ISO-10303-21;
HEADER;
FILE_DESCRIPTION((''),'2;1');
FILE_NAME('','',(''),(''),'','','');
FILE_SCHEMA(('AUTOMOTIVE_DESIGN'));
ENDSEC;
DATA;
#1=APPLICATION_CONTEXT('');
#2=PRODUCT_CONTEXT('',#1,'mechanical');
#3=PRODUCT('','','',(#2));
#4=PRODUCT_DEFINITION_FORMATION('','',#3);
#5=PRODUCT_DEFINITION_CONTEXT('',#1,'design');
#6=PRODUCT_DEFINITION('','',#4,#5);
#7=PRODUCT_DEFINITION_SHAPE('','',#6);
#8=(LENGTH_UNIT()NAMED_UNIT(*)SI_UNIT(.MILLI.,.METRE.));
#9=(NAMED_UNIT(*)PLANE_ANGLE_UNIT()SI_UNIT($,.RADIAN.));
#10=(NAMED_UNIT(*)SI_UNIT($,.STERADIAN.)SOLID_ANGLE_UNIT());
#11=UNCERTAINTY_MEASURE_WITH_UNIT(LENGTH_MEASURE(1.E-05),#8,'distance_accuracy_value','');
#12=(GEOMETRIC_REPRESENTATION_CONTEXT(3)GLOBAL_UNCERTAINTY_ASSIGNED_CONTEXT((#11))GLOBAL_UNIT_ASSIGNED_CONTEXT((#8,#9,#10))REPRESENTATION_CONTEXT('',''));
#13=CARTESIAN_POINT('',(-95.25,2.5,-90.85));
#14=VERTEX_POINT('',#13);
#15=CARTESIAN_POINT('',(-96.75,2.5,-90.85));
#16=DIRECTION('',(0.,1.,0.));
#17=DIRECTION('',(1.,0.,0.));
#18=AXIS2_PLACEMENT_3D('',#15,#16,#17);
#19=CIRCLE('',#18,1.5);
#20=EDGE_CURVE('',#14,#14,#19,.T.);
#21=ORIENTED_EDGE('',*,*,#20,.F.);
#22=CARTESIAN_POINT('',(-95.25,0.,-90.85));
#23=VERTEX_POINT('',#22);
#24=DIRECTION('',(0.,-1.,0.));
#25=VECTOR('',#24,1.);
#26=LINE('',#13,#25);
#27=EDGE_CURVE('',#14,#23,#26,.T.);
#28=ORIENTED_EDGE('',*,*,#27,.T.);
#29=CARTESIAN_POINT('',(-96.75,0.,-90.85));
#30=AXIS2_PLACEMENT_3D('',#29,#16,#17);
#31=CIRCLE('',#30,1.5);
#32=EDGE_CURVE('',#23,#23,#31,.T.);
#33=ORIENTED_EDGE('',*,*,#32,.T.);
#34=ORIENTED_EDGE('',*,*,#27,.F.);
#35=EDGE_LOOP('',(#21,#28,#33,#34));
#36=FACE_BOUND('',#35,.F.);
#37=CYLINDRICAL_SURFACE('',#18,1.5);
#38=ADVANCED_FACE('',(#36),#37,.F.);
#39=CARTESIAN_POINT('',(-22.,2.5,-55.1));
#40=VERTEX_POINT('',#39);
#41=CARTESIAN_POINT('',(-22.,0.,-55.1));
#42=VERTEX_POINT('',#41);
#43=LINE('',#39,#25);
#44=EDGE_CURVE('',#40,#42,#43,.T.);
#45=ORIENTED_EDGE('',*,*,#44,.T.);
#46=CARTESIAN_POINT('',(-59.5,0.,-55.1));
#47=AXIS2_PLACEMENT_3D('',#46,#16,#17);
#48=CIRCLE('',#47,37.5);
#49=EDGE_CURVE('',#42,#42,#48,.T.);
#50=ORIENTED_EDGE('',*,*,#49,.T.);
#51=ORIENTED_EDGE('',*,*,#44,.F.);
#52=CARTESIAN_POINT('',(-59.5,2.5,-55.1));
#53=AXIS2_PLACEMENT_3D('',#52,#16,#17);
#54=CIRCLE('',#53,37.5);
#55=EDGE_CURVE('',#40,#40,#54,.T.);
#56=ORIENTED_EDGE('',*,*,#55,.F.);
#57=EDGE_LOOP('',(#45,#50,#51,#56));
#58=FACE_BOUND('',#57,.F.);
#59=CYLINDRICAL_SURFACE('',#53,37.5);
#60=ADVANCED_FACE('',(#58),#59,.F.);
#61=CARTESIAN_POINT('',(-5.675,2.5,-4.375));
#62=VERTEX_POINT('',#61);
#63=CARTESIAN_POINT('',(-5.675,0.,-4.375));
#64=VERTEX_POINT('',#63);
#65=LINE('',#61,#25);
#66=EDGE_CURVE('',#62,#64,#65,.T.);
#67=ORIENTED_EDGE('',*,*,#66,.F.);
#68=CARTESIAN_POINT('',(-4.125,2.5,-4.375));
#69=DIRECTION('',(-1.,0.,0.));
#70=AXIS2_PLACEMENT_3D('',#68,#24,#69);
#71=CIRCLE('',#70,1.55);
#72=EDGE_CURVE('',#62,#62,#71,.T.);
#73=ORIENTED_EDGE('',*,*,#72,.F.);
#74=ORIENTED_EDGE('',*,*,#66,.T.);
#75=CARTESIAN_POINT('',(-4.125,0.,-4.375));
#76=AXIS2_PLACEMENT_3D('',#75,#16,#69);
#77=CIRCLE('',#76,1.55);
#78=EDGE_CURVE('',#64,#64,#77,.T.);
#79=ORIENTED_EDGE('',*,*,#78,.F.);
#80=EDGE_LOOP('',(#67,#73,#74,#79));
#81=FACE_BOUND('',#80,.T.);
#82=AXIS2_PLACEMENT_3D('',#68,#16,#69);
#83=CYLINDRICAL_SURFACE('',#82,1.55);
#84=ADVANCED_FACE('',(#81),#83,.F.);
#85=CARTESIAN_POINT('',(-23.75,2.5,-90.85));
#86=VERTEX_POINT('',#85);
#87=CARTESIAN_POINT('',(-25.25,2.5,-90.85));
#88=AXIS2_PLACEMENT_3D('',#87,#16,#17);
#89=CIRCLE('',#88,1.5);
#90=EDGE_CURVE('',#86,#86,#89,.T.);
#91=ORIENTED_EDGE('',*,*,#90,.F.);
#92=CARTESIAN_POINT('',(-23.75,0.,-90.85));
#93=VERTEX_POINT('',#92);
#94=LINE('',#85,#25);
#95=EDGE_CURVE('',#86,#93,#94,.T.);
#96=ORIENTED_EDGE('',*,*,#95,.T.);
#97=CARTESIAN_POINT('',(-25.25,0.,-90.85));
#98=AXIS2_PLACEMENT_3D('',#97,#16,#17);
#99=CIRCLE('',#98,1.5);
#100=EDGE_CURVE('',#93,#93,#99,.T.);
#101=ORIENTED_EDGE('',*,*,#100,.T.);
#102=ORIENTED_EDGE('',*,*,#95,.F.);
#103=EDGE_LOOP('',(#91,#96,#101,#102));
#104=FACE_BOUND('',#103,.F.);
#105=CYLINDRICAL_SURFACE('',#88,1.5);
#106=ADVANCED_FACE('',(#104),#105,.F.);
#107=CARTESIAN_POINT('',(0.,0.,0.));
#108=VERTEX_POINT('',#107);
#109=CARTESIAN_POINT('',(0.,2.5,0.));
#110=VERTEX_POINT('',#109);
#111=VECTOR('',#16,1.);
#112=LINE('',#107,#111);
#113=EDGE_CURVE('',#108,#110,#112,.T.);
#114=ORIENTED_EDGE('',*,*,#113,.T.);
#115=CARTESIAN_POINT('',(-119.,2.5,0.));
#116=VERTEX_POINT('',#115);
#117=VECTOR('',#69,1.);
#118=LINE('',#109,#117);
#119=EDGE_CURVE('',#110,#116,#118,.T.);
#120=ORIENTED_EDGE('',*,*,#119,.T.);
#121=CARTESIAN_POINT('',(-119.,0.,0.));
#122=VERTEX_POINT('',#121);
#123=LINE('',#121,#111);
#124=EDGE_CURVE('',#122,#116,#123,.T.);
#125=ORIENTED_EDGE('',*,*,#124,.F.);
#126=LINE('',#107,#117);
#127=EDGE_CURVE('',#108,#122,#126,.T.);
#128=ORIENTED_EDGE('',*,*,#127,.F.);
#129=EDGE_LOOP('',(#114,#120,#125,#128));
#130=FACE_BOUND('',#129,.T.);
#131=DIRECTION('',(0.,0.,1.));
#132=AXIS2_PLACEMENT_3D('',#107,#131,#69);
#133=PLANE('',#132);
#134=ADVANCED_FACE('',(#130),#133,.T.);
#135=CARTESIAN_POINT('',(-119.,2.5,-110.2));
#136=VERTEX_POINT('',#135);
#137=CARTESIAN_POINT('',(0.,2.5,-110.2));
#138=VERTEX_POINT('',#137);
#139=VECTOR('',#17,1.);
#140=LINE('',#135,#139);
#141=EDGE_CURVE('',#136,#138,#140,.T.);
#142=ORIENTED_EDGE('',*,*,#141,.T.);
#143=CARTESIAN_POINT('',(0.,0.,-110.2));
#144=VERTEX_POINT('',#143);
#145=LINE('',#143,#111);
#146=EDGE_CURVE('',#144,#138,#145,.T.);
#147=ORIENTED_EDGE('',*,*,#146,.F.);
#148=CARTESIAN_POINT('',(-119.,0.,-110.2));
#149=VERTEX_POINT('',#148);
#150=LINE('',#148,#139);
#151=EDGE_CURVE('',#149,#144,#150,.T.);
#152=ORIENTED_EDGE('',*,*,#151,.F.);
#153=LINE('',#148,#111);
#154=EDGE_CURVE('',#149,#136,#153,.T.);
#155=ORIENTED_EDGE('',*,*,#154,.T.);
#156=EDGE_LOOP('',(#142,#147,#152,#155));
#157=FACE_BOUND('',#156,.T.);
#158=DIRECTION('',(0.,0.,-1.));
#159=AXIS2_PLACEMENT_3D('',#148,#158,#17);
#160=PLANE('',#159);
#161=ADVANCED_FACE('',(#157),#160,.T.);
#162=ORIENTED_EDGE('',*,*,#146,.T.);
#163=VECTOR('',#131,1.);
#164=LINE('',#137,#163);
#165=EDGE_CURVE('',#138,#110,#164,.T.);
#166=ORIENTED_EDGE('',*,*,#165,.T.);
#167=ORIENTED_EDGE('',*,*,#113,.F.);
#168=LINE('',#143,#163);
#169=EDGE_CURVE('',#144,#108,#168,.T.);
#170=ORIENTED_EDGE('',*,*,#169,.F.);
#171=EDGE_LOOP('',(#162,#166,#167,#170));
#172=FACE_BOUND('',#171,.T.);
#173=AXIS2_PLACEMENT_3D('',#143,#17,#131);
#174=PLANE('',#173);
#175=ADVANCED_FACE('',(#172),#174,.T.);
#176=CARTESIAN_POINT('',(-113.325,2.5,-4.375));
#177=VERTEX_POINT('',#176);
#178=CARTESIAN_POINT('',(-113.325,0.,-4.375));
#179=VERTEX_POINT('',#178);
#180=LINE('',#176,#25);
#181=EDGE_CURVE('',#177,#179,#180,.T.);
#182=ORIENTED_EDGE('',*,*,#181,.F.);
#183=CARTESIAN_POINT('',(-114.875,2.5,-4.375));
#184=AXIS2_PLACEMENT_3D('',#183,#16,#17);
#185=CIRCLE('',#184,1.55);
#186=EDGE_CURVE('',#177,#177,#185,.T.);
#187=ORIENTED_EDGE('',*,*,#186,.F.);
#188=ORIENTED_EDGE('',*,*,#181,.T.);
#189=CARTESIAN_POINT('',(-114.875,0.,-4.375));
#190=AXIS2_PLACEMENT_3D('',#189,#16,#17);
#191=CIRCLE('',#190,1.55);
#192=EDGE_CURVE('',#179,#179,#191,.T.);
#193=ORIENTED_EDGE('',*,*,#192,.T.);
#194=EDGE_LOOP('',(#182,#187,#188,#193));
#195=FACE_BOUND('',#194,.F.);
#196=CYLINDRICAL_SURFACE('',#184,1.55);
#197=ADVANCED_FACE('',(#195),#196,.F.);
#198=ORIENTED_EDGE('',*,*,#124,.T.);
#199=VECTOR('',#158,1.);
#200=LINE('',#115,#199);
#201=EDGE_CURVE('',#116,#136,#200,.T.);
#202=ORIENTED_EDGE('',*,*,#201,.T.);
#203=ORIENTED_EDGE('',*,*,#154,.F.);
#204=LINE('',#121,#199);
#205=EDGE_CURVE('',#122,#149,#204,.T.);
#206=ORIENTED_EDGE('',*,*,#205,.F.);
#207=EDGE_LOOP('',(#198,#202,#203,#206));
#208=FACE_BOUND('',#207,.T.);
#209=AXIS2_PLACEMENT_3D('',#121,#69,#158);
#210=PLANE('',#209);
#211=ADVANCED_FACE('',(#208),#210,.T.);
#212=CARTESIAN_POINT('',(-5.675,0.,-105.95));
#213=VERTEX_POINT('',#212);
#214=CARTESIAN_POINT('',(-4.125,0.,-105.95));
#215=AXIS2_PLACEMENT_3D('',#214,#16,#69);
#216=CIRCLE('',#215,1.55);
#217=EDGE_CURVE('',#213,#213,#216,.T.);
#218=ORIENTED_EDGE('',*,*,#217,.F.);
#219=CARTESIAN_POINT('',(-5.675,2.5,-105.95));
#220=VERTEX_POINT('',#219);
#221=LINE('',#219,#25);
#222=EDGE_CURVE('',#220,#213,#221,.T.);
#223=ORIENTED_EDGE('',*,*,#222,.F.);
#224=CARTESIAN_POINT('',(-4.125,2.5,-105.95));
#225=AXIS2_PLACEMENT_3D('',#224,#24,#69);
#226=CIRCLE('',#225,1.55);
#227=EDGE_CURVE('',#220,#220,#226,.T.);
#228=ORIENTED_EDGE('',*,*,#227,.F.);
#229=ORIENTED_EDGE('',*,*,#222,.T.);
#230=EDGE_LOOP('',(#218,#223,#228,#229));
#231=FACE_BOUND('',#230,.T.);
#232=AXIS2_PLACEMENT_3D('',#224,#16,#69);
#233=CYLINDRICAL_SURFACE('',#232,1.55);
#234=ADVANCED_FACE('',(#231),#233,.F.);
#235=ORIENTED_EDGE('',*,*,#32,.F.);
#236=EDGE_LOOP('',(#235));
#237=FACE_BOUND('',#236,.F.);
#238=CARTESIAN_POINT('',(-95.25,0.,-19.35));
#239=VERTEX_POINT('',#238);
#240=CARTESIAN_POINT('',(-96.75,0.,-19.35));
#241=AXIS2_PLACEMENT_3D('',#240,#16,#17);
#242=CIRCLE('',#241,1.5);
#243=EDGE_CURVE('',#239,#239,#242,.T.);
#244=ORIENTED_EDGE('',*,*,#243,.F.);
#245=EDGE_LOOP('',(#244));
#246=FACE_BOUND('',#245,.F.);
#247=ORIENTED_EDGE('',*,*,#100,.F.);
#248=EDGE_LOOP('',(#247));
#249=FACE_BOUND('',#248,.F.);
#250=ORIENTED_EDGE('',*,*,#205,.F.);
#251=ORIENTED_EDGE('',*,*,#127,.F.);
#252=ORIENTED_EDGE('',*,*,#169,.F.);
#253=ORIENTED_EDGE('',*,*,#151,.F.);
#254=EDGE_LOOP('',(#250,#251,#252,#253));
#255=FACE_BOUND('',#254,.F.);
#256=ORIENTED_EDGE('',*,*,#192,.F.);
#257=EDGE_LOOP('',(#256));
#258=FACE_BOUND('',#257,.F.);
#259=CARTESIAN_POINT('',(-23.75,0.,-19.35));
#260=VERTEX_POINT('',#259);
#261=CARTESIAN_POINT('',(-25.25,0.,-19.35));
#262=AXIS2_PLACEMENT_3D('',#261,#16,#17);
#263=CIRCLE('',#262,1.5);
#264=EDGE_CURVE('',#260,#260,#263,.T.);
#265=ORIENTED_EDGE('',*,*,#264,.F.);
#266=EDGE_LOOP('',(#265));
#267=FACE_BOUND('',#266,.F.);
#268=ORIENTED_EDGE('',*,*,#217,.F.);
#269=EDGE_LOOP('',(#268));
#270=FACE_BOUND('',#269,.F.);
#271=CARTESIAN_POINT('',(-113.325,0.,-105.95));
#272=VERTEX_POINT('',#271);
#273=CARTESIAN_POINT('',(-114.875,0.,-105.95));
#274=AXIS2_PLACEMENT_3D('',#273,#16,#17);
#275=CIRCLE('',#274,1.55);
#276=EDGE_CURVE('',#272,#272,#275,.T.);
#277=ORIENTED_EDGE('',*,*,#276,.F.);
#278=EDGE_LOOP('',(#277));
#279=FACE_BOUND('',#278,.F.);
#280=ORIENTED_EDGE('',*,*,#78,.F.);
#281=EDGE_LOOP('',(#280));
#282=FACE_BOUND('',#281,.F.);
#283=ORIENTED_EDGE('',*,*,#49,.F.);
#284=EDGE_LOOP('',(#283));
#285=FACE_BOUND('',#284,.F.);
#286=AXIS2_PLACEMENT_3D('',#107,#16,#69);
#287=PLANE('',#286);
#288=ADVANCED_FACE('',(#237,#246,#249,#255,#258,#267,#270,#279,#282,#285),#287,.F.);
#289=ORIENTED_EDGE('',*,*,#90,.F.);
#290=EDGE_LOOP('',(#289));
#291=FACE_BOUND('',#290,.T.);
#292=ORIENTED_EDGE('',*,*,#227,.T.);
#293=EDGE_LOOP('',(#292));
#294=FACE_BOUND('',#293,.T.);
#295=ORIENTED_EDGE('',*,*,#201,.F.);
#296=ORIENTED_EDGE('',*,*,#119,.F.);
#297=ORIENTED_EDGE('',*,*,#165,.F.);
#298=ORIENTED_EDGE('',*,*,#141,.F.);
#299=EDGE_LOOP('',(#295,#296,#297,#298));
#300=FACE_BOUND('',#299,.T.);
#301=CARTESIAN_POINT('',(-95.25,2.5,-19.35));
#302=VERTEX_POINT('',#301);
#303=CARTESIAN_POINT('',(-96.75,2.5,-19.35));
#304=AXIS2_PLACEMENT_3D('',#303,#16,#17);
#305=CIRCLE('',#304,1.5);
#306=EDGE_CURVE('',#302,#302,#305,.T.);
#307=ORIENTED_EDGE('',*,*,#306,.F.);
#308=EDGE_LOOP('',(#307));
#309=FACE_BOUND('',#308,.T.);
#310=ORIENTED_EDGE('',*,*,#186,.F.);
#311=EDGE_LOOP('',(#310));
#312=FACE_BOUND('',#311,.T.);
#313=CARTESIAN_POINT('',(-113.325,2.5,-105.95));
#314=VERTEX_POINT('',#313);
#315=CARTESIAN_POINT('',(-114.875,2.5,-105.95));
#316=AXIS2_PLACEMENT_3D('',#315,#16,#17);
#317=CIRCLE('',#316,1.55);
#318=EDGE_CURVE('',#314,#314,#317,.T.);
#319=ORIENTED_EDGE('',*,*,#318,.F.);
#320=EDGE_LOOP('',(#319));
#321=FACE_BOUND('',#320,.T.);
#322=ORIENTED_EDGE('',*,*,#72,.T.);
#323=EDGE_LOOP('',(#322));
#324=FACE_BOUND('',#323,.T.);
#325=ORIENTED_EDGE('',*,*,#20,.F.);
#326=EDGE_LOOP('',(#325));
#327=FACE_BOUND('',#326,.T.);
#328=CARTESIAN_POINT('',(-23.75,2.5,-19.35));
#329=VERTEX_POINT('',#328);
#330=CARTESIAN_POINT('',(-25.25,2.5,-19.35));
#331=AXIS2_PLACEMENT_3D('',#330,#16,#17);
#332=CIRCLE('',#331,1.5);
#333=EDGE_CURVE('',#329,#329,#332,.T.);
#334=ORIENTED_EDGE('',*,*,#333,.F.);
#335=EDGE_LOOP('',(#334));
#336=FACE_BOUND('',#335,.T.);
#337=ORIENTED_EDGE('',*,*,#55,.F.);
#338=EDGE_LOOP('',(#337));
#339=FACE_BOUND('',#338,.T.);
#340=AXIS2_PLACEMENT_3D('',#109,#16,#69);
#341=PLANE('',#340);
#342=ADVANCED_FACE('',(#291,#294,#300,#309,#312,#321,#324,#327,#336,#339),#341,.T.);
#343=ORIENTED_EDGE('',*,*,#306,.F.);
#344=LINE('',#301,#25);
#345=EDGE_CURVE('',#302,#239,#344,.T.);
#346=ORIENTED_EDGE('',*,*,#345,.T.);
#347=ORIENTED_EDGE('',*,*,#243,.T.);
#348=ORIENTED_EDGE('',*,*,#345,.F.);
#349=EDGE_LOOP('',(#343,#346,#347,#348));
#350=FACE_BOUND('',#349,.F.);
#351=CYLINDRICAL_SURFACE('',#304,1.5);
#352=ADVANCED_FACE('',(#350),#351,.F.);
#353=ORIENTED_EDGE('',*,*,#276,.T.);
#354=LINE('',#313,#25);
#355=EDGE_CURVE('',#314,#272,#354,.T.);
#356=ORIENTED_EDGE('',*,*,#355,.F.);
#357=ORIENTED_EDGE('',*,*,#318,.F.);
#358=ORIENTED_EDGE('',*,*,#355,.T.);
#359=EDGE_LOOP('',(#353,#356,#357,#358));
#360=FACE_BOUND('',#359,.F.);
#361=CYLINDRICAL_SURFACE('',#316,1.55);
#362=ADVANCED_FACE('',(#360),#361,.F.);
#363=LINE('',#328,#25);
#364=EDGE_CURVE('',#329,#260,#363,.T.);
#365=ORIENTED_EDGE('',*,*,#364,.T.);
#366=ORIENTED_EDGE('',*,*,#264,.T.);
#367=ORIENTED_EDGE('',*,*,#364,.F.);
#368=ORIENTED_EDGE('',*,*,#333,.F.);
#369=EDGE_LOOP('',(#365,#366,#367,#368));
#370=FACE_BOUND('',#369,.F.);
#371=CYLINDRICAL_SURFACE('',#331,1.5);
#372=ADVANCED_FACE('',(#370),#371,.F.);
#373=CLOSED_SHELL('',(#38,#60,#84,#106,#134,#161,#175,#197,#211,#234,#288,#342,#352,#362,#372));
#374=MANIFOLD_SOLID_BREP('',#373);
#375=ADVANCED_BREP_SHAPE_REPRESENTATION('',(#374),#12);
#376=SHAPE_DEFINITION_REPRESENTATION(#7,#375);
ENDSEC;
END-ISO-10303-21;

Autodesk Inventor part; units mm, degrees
ref_plane "YZ Plane" through (0, 0, 0) normal (1, 0, 0) x (0, 1, 0)
ref_plane "XZ Plane" through (0, 0, 0) normal (0, 1, 0) x (-1, 0, 0)
sketch "Sketch1" plane through (0, 0, 0) normal (0, 1, 0) x (-1, 0, 0)
  line L0 (0, 0) -> (119, 0)
  line L1 (119, 0) -> (119, -110.2)
  line L2 (119, -110.2) -> (0, -110.2)
  line L3 (0, -110.2) -> (0, 0)
  dimension "d0" = 119
  dimension "d1" = 110.2
extrude "Extrusion1" add sketch "Sketch1" along normal blind 2.5
sketch "Sketch2" plane through (0, 2.5, 0) normal (0, 1, 0) x (1, 0, 0)
  line L0 (-119, 0) -> (0, 0) projected
  line L1 (0, 0) -> (0, 110.2) projected
  line L2 (0, 110.2) -> (-119, 110.2) projected
  line L3 (-119, 110.2) -> (-119, 0) projected
  circle A0 centre (-114.875, 4.375) radius 1.55
  circle A1 centre (-11.5301, 10.067) radius 1.55
  circle A2 centre (-11.5301, 99.7072) radius 1.55
  circle A3 centre (-114.875, 105.95) radius 1.55
  dimension "d4" = 3.1
  dimension "d5" = 3.1
  dimension "d6" = 3.1
  dimension "d7" = 3.1
  dimension "d8" = 4.375
  dimension "d9" = 4.125
  dimension "d10" = 4.25
  dimension "d11" = 4.125
extrude "Extrusion2" cut sketch "Sketch2" against normal through all contours A0 | A3
ref_plane "Work Plane1" through (-59.5, 0, 0) normal (1, 0, 0) x (0, 0, -1)
mirror "Mirror1" about plane through (-59.5, 0, 0) normal (1, 0, 0) of "Extrusion2"
sketch "Sketch3" plane through (0, 2.5, 0) normal (0, 1, 0) x (1, 0, 0)
  circle A0 centre (-4.125, 4.375) radius 1.55 projected
  circle A1 centre (-4.125, 105.95) radius 1.55 projected
  circle A2 centre (-114.875, 4.375) radius 1.55 projected
  circle A3 centre (-114.875, 105.95) radius 1.55 projected
  line L0 (-119, 0) -> (0, 0) projected
  line L1 (0, 0) -> (0, 110.2) projected
  line L2 (0, 110.2) -> (-119, 110.2) projected
  line L3 (-119, 110.2) -> (-119, 0) projected
  circle A4 centre (-59.5, 55.1) radius 37.5
  circle A5 centre (-96.75, 90.85) radius 1.5
  circle A6 centre (-25.25, 90.85) radius 1.5
  circle A7 centre (-25.25, 19.35) radius 1.5
  circle A8 centre (-96.75, 19.35) radius 1.5
  dimension "d32" = 3
  dimension "d33" = 3
  dimension "d34" = 3
  dimension "d35" = 3
  dimension "d36" = 71.5
  dimension "d37" = 71.5
  dimension "d38" = 71.5
  dimension "d39" = 71.5
extrude "Extrusion3" cut sketch "Sketch3" against normal through all contours A4 | A5 | A6 | A7 | A8
properties part number "Base Cover Left 80mm fan"
